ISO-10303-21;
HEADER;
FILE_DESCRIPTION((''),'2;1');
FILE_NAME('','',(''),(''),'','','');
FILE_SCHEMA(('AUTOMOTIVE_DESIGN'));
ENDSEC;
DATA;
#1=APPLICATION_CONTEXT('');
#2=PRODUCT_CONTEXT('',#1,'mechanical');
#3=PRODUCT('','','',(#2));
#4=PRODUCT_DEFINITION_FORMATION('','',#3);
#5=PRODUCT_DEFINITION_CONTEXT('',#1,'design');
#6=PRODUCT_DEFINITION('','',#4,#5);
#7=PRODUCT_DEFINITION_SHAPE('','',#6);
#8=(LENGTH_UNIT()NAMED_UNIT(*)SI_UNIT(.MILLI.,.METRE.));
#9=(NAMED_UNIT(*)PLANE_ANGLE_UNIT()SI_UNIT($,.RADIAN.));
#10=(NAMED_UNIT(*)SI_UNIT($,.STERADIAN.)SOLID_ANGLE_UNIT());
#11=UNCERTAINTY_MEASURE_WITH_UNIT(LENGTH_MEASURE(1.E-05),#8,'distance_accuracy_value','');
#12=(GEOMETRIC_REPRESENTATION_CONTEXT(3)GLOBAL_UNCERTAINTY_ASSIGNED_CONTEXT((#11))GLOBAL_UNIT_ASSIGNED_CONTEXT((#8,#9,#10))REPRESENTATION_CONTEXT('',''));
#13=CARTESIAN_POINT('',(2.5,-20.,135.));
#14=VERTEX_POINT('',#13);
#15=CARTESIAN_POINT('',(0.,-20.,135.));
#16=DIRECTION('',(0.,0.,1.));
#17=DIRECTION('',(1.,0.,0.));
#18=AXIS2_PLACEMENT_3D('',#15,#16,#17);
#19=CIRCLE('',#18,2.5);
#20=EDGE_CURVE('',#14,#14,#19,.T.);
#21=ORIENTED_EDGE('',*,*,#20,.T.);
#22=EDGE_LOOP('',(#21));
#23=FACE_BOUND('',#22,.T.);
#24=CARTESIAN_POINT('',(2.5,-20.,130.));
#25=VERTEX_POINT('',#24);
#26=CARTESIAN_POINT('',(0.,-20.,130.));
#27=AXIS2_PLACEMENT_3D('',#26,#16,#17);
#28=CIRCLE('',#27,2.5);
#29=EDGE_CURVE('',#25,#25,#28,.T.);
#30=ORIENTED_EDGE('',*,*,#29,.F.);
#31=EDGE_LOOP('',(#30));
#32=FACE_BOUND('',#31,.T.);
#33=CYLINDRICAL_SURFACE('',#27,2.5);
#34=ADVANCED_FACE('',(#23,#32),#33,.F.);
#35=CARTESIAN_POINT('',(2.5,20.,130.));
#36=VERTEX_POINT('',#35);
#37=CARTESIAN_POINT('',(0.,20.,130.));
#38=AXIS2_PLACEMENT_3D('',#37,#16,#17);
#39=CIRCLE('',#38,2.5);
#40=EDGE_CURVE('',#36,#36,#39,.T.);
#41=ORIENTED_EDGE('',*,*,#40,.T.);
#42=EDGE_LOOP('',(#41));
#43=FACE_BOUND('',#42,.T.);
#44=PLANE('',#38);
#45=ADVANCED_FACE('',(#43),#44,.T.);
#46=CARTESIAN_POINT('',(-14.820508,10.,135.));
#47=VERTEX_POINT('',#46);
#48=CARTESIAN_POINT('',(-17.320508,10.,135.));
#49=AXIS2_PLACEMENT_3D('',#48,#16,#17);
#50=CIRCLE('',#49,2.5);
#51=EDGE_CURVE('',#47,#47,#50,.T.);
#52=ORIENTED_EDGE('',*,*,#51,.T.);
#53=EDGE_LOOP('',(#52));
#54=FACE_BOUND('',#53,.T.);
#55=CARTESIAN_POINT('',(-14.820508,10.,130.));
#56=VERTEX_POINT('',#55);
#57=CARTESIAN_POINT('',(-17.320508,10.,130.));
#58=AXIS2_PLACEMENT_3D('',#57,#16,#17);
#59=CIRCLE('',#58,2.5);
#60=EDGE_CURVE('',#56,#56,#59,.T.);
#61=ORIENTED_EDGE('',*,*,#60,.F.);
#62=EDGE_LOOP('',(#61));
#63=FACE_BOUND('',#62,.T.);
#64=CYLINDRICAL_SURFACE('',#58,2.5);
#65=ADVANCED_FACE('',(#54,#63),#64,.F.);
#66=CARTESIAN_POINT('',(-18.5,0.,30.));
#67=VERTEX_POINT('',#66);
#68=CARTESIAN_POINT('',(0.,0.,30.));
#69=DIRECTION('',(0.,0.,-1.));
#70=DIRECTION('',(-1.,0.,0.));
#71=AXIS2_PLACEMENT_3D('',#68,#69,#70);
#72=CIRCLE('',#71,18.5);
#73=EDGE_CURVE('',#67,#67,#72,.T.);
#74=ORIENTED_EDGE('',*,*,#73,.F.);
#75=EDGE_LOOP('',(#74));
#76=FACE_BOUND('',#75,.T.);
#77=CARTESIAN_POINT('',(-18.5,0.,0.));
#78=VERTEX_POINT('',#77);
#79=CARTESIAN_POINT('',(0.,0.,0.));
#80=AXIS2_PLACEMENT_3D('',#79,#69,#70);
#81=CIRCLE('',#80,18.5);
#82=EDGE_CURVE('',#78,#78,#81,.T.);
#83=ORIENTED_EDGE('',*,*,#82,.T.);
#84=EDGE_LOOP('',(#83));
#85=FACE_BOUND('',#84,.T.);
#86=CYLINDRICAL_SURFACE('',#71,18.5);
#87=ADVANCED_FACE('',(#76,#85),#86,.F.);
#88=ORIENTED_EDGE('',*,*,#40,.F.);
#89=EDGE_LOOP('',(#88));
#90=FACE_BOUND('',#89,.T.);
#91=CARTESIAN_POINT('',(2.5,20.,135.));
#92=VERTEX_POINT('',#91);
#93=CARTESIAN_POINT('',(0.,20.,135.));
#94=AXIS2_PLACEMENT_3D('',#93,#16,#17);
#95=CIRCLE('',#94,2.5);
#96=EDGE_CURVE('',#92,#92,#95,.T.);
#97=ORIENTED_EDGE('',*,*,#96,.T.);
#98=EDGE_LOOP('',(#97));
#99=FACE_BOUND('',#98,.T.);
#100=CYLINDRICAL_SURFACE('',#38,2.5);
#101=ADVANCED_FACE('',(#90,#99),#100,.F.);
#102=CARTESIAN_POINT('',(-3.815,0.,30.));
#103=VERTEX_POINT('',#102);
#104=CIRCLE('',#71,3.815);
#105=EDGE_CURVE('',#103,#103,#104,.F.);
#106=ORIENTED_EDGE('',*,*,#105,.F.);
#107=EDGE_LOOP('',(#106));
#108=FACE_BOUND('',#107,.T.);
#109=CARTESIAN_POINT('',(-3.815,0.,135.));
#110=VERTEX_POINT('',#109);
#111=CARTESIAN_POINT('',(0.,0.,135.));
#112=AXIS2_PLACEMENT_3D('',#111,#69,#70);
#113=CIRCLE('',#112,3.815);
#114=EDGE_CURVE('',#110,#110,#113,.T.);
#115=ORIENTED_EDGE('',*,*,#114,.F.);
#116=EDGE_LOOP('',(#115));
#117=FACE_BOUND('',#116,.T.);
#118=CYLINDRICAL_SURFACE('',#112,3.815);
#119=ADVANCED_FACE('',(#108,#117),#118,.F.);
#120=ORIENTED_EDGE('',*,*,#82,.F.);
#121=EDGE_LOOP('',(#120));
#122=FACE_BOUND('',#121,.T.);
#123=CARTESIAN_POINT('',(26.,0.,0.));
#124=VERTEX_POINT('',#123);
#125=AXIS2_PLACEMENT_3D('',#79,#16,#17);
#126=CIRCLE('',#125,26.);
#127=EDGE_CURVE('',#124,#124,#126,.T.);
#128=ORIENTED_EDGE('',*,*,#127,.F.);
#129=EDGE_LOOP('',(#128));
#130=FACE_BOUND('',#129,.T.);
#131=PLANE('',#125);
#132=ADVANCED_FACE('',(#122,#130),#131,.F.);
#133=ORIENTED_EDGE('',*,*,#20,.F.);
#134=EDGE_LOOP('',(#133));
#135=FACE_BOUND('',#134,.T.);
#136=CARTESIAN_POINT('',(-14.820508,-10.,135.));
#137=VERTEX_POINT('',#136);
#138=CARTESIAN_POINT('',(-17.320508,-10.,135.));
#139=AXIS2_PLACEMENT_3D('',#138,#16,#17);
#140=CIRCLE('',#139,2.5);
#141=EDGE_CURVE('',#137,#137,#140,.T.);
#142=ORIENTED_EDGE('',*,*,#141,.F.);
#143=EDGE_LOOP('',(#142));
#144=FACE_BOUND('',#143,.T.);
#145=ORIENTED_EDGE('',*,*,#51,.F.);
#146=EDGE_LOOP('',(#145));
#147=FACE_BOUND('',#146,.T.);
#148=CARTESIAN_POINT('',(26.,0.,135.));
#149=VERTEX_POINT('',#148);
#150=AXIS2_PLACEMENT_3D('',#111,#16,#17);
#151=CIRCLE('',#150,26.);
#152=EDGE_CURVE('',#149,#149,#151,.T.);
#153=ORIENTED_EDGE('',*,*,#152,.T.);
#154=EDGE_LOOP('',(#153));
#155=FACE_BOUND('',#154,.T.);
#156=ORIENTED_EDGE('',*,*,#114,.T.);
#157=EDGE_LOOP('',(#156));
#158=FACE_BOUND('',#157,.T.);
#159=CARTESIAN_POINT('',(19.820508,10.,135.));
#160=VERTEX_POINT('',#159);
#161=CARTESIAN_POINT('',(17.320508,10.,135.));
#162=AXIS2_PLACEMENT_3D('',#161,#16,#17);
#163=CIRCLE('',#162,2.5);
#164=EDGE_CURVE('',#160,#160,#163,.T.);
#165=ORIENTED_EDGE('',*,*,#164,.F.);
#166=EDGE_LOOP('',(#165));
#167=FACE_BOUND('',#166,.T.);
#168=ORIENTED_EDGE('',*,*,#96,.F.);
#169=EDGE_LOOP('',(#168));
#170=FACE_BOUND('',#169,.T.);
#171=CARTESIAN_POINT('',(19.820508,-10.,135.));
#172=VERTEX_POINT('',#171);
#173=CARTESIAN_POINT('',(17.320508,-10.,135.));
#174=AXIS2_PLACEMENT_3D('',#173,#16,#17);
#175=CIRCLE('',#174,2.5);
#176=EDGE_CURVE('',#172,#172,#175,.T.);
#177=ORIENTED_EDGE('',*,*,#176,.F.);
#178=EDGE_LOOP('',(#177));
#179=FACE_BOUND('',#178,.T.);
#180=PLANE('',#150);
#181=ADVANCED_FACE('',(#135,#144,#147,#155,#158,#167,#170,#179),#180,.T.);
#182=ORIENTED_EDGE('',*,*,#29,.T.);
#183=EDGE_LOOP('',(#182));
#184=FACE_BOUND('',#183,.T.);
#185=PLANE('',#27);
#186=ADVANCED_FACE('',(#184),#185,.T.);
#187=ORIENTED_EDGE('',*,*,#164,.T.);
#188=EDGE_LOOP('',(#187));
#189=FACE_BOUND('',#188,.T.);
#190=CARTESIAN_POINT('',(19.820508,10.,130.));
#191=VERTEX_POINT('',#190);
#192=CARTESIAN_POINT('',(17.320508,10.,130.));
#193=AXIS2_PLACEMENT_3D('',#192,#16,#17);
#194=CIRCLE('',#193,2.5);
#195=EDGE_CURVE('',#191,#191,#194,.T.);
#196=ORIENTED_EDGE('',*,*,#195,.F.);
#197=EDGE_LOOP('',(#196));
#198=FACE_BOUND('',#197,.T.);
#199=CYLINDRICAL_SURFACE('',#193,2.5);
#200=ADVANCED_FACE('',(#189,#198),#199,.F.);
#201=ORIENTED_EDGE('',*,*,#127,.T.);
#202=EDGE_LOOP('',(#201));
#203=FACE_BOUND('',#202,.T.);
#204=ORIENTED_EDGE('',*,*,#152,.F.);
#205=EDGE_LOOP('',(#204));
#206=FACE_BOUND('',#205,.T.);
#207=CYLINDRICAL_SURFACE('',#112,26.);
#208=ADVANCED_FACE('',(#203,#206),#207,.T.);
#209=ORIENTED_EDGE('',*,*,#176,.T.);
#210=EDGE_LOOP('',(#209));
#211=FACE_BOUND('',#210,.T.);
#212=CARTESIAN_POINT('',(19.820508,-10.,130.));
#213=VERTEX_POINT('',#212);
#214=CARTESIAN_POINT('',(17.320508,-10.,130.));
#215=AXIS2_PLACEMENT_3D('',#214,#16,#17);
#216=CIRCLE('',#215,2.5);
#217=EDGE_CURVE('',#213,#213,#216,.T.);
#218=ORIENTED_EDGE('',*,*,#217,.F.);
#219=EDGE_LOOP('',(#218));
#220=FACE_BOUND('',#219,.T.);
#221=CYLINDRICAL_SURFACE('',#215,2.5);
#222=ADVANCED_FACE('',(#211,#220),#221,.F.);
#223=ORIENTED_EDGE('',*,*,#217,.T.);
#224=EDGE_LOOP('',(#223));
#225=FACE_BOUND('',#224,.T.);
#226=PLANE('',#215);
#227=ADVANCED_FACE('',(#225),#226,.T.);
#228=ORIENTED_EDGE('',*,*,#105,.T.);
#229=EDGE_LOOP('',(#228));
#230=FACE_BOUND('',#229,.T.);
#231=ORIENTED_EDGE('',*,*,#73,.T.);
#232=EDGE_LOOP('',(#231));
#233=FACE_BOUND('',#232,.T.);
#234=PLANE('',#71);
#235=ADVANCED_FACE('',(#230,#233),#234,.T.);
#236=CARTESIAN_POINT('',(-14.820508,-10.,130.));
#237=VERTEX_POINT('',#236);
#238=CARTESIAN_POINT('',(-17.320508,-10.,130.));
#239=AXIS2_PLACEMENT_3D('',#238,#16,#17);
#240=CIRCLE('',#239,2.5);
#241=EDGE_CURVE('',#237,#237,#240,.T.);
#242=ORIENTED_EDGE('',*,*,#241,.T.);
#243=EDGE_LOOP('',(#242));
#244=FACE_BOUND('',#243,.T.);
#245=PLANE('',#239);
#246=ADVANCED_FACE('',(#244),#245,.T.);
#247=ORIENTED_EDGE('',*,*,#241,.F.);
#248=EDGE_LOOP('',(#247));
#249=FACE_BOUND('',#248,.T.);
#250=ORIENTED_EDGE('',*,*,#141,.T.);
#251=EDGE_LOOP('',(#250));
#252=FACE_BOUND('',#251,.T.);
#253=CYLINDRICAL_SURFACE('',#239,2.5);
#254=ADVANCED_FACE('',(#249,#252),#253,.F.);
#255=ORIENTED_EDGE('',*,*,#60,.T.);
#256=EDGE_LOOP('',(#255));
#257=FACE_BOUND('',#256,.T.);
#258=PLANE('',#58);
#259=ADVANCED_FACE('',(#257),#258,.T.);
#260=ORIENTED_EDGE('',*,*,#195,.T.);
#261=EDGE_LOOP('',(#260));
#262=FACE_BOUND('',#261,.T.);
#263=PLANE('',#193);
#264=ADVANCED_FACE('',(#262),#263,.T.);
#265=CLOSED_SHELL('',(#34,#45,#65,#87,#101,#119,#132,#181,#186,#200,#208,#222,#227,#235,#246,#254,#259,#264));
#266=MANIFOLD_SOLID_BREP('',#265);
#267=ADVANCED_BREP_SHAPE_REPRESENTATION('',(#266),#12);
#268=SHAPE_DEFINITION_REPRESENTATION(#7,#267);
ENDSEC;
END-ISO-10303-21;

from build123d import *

# Parameters (mm, degrees)
SKETCH2_R           = 26
BOSS_EXTRUDE1_DEPTH = 135
SKETCH3_R           = 3.815
CUT_EXTRUDE1_DEPTH  = 135
SKETCH5_R           = 18.5
CUT_EXTRUDE2_DEPTH  = 30
SKETCH6_R           = 2.5
CUT_EXTRUDE3_DEPTH  = 5
SKETCH6_3_R         = 2.5
CUT_EXTRUDE4_DEPTH  = 5


with BuildPart() as part:
    # Sketch2 → Boss-Extrude1 (new body)
    with BuildSketch(Plane.XY):
        Circle(SKETCH2_R)
    extrude(amount=BOSS_EXTRUDE1_DEPTH)

    # Sketch3 → Cut-Extrude1 (cut)
    with BuildSketch(Plane(origin=(0, 0, 0), x_dir=(-1, 0, 0), z_dir=(0, 0, -1))):
        Circle(SKETCH3_R)
    extrude(amount=-CUT_EXTRUDE1_DEPTH, mode=Mode.SUBTRACT)

    # Sketch5 → Cut-Extrude2 (cut)
    with BuildSketch(Plane(origin=(0, 0, 0), x_dir=(-1, 0, 0), z_dir=(0, 0, -1))):
        Circle(SKETCH5_R)
    extrude(amount=-CUT_EXTRUDE2_DEPTH, mode=Mode.SUBTRACT)

    # Sketch6 → Cut-Extrude3 (cut)
    with BuildSketch(Plane.XY.offset(135)):
        with Locations((0, 20)):
            Circle(SKETCH6_R)
    extrude(amount=-CUT_EXTRUDE3_DEPTH, mode=Mode.SUBTRACT)

    # Sketch6<3> → Cut-Extrude4 (cut)
    with BuildSketch(Plane.XY.offset(135)):
        with Locations((0, 20)):
            Circle(SKETCH6_3_R)
        with Locations((17.320508076, 10)):
            Circle(SKETCH6_3_R)
        with Locations((17.320508076, -10)):
            Circle(SKETCH6_3_R)
        with Locations((0, -20)):
            Circle(SKETCH6_3_R)
        with Locations((-17.320508076, -10)):
            Circle(SKETCH6_3_R)
        with Locations((-17.320508076, 10)):
            Circle(SKETCH6_3_R)
    extrude(amount=-CUT_EXTRUDE4_DEPTH, mode=Mode.SUBTRACT)


solid = part.part
